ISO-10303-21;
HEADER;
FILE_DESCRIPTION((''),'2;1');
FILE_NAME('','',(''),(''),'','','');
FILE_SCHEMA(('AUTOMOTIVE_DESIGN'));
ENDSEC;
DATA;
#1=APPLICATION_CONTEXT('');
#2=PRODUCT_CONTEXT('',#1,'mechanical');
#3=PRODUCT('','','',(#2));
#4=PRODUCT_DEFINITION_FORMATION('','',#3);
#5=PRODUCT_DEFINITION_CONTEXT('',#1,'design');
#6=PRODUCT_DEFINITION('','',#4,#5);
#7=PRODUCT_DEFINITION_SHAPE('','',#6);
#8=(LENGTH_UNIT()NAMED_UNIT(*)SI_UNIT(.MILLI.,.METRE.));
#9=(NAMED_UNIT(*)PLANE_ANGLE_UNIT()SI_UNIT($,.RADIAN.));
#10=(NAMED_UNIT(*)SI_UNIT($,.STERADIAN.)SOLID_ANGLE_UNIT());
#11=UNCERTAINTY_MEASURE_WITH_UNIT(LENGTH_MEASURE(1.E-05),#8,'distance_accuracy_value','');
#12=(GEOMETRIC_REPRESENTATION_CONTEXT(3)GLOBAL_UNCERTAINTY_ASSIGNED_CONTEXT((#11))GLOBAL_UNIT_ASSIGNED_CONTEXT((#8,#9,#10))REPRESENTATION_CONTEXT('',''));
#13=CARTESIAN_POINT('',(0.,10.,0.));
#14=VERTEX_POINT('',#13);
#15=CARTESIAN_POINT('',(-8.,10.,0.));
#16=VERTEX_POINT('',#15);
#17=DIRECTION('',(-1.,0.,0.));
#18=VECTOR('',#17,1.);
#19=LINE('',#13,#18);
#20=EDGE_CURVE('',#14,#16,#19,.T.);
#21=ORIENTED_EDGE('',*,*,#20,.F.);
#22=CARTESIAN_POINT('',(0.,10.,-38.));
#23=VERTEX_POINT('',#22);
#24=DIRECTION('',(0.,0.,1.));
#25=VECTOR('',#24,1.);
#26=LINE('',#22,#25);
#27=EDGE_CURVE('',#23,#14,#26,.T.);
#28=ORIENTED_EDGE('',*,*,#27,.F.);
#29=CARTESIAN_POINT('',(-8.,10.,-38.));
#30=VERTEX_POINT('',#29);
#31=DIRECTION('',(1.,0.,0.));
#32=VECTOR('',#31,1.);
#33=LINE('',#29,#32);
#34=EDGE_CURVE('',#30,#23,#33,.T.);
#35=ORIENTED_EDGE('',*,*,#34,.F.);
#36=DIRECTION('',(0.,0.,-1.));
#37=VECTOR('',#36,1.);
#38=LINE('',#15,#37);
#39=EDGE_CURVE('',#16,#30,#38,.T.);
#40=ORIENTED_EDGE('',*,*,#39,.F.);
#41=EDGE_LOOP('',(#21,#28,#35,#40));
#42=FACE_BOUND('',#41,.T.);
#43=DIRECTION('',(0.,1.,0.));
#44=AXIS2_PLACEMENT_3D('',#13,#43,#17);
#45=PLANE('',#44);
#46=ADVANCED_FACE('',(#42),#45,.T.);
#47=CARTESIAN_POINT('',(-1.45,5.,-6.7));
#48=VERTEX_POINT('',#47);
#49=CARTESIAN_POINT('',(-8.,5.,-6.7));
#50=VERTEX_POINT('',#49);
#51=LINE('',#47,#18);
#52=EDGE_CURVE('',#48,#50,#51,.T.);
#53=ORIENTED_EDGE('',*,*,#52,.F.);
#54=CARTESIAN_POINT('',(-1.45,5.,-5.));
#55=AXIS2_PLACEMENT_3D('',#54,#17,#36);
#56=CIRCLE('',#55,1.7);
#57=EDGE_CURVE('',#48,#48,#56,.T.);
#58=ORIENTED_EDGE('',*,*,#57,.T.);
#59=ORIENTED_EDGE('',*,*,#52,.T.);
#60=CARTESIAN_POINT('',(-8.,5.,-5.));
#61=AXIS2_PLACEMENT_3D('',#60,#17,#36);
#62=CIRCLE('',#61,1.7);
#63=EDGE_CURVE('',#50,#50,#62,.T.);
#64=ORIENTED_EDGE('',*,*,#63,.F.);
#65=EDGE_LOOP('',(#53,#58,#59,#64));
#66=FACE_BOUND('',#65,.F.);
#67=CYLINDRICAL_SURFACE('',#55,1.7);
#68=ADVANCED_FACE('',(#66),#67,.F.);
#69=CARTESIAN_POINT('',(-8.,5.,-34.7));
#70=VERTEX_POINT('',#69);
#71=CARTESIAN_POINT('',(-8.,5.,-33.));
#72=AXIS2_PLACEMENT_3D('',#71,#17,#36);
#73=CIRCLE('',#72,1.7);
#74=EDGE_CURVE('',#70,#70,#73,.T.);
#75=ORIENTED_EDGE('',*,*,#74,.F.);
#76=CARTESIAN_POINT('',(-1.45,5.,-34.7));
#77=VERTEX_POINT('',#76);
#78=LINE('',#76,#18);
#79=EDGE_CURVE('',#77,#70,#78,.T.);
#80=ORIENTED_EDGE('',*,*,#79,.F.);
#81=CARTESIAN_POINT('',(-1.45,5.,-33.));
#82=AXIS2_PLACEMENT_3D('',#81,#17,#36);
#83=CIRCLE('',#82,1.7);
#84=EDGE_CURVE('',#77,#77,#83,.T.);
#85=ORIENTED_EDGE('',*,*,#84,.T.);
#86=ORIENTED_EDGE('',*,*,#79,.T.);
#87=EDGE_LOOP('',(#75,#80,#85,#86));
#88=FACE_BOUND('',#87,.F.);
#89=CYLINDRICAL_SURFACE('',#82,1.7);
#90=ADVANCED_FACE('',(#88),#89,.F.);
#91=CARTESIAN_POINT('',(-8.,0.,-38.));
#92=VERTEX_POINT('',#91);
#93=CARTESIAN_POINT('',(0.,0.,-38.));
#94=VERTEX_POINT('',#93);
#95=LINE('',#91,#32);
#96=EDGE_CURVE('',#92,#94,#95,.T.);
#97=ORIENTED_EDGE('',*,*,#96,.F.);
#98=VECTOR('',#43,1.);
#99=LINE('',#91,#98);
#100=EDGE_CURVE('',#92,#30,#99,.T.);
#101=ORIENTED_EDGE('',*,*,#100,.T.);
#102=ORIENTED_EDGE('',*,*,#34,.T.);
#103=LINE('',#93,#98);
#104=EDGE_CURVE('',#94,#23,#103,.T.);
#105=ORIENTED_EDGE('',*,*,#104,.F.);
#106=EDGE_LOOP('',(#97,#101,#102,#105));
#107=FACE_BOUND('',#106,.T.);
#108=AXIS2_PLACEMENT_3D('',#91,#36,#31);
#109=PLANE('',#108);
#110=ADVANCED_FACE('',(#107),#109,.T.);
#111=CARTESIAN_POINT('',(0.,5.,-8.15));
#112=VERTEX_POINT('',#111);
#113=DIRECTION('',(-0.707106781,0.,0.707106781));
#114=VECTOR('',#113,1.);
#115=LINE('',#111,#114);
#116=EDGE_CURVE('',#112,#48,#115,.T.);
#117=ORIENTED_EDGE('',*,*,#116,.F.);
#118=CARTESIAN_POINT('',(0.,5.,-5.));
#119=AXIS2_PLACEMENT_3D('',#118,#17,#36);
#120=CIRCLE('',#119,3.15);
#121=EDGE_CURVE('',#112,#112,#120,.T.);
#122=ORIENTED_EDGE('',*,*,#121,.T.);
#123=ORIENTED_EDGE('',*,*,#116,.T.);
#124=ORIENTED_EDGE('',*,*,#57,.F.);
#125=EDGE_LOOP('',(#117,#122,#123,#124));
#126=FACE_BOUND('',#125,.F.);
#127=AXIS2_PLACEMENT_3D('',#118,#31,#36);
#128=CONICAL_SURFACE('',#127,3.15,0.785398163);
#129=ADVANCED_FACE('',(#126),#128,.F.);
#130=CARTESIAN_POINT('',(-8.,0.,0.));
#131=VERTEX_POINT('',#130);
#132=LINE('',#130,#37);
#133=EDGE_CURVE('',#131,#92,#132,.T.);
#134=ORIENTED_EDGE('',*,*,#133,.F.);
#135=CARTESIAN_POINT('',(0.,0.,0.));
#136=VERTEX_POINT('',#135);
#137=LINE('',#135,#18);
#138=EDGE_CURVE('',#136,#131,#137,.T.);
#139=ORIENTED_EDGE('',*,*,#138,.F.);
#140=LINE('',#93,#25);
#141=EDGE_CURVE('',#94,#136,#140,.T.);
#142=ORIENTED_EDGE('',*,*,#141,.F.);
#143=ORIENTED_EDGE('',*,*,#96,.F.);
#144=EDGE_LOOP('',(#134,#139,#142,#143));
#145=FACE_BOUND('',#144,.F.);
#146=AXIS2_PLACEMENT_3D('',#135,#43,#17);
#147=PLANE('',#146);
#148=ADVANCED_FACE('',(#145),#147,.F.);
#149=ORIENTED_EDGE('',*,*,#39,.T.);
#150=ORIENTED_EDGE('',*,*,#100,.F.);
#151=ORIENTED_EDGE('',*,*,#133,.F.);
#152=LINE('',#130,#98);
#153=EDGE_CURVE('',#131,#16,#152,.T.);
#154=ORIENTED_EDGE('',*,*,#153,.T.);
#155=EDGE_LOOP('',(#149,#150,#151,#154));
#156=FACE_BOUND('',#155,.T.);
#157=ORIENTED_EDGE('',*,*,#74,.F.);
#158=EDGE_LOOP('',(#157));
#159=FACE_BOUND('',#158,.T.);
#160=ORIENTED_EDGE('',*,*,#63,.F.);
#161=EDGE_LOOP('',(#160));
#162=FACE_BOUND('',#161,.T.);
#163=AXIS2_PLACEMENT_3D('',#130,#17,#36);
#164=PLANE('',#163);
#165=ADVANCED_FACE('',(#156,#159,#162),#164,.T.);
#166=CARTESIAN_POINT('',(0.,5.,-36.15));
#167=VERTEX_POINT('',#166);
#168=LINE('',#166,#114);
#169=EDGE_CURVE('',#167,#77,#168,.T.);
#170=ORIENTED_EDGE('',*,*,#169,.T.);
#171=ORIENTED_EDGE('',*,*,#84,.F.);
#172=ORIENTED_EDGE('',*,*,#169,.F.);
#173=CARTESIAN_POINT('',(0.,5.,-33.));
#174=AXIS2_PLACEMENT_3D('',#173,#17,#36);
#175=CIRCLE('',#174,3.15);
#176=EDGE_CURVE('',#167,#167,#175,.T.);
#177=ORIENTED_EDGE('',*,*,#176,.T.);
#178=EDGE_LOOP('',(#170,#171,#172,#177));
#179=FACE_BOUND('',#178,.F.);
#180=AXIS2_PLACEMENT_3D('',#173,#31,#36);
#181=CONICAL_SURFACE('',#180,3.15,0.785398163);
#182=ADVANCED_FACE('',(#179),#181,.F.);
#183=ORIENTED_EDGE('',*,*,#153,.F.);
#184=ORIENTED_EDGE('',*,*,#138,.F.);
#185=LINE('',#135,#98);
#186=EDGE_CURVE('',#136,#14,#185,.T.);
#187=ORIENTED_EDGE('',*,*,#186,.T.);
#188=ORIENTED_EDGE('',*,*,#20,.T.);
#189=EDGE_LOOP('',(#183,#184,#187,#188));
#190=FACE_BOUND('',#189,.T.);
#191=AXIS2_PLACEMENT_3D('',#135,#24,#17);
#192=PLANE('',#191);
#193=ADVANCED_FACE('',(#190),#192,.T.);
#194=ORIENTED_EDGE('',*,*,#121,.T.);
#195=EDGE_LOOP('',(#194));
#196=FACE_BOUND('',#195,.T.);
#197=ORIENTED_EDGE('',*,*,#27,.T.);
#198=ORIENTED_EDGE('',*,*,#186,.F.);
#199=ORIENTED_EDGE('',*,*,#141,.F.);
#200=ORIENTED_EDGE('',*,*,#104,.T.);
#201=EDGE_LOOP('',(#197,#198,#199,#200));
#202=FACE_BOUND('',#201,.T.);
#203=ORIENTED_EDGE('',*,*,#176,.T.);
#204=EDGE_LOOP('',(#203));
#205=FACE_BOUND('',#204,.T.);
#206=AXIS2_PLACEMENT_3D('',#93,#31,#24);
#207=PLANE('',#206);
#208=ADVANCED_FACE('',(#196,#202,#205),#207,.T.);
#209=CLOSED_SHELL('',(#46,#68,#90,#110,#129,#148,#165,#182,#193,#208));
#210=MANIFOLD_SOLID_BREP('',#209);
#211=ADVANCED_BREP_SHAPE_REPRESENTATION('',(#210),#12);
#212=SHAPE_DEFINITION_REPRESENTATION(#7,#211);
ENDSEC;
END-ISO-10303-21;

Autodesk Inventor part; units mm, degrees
ref_plane "YZ Plane" through (0, 0, 0) normal (1, 0, 0) x (0, 1, 0)
ref_plane "XZ Plane" through (0, 0, 0) normal (0, 1, 0) x (-1, 0, 0)
ref_plane "XY Plane" through (0, 0, 0) normal (0, 0, 1) x (1, 0, 0)
sketch "Sketch1" plane through (0, 0, 0) normal (0, 1, 0) x (-1, 0, 0)
  line L0 (0, 0) -> (8, 0)
  line L1 (8, 0) -> (8, -38)
  line L2 (8, -38) -> (0, -38)
  line L3 (0, -38) -> (0, 0)
  dimension "d0" = 38
  dimension "d1" = 8
extrude "Extrusion1" add sketch "Sketch1" along normal blind 10
sketch "Sketch2" plane through (0, 0, 0) normal (1, 0, 0) x (0, 0, -1)
  line L0 (0, 0) -> (0, 10) projected
  line L1 (38, 0) -> (38, 10) projected
  point P0 (5, 5)
  point P1 (33, 5)
  point P2 (38, 5)
  dimension "d4" = 5
  dimension "d5" = 5
hole "Hole1" at (0, 5, -5) at (0, 5, -33) direction (-1, 0, 0) diameter 3.4 end through all countersink diameter 6.3 countersink angle 90 clearance for "Flat Head Machine Screw" size "M3" standard "Ansi Metric M Profile"
properties part number "Top_End Sponge" material "Rubber, Silicone"
